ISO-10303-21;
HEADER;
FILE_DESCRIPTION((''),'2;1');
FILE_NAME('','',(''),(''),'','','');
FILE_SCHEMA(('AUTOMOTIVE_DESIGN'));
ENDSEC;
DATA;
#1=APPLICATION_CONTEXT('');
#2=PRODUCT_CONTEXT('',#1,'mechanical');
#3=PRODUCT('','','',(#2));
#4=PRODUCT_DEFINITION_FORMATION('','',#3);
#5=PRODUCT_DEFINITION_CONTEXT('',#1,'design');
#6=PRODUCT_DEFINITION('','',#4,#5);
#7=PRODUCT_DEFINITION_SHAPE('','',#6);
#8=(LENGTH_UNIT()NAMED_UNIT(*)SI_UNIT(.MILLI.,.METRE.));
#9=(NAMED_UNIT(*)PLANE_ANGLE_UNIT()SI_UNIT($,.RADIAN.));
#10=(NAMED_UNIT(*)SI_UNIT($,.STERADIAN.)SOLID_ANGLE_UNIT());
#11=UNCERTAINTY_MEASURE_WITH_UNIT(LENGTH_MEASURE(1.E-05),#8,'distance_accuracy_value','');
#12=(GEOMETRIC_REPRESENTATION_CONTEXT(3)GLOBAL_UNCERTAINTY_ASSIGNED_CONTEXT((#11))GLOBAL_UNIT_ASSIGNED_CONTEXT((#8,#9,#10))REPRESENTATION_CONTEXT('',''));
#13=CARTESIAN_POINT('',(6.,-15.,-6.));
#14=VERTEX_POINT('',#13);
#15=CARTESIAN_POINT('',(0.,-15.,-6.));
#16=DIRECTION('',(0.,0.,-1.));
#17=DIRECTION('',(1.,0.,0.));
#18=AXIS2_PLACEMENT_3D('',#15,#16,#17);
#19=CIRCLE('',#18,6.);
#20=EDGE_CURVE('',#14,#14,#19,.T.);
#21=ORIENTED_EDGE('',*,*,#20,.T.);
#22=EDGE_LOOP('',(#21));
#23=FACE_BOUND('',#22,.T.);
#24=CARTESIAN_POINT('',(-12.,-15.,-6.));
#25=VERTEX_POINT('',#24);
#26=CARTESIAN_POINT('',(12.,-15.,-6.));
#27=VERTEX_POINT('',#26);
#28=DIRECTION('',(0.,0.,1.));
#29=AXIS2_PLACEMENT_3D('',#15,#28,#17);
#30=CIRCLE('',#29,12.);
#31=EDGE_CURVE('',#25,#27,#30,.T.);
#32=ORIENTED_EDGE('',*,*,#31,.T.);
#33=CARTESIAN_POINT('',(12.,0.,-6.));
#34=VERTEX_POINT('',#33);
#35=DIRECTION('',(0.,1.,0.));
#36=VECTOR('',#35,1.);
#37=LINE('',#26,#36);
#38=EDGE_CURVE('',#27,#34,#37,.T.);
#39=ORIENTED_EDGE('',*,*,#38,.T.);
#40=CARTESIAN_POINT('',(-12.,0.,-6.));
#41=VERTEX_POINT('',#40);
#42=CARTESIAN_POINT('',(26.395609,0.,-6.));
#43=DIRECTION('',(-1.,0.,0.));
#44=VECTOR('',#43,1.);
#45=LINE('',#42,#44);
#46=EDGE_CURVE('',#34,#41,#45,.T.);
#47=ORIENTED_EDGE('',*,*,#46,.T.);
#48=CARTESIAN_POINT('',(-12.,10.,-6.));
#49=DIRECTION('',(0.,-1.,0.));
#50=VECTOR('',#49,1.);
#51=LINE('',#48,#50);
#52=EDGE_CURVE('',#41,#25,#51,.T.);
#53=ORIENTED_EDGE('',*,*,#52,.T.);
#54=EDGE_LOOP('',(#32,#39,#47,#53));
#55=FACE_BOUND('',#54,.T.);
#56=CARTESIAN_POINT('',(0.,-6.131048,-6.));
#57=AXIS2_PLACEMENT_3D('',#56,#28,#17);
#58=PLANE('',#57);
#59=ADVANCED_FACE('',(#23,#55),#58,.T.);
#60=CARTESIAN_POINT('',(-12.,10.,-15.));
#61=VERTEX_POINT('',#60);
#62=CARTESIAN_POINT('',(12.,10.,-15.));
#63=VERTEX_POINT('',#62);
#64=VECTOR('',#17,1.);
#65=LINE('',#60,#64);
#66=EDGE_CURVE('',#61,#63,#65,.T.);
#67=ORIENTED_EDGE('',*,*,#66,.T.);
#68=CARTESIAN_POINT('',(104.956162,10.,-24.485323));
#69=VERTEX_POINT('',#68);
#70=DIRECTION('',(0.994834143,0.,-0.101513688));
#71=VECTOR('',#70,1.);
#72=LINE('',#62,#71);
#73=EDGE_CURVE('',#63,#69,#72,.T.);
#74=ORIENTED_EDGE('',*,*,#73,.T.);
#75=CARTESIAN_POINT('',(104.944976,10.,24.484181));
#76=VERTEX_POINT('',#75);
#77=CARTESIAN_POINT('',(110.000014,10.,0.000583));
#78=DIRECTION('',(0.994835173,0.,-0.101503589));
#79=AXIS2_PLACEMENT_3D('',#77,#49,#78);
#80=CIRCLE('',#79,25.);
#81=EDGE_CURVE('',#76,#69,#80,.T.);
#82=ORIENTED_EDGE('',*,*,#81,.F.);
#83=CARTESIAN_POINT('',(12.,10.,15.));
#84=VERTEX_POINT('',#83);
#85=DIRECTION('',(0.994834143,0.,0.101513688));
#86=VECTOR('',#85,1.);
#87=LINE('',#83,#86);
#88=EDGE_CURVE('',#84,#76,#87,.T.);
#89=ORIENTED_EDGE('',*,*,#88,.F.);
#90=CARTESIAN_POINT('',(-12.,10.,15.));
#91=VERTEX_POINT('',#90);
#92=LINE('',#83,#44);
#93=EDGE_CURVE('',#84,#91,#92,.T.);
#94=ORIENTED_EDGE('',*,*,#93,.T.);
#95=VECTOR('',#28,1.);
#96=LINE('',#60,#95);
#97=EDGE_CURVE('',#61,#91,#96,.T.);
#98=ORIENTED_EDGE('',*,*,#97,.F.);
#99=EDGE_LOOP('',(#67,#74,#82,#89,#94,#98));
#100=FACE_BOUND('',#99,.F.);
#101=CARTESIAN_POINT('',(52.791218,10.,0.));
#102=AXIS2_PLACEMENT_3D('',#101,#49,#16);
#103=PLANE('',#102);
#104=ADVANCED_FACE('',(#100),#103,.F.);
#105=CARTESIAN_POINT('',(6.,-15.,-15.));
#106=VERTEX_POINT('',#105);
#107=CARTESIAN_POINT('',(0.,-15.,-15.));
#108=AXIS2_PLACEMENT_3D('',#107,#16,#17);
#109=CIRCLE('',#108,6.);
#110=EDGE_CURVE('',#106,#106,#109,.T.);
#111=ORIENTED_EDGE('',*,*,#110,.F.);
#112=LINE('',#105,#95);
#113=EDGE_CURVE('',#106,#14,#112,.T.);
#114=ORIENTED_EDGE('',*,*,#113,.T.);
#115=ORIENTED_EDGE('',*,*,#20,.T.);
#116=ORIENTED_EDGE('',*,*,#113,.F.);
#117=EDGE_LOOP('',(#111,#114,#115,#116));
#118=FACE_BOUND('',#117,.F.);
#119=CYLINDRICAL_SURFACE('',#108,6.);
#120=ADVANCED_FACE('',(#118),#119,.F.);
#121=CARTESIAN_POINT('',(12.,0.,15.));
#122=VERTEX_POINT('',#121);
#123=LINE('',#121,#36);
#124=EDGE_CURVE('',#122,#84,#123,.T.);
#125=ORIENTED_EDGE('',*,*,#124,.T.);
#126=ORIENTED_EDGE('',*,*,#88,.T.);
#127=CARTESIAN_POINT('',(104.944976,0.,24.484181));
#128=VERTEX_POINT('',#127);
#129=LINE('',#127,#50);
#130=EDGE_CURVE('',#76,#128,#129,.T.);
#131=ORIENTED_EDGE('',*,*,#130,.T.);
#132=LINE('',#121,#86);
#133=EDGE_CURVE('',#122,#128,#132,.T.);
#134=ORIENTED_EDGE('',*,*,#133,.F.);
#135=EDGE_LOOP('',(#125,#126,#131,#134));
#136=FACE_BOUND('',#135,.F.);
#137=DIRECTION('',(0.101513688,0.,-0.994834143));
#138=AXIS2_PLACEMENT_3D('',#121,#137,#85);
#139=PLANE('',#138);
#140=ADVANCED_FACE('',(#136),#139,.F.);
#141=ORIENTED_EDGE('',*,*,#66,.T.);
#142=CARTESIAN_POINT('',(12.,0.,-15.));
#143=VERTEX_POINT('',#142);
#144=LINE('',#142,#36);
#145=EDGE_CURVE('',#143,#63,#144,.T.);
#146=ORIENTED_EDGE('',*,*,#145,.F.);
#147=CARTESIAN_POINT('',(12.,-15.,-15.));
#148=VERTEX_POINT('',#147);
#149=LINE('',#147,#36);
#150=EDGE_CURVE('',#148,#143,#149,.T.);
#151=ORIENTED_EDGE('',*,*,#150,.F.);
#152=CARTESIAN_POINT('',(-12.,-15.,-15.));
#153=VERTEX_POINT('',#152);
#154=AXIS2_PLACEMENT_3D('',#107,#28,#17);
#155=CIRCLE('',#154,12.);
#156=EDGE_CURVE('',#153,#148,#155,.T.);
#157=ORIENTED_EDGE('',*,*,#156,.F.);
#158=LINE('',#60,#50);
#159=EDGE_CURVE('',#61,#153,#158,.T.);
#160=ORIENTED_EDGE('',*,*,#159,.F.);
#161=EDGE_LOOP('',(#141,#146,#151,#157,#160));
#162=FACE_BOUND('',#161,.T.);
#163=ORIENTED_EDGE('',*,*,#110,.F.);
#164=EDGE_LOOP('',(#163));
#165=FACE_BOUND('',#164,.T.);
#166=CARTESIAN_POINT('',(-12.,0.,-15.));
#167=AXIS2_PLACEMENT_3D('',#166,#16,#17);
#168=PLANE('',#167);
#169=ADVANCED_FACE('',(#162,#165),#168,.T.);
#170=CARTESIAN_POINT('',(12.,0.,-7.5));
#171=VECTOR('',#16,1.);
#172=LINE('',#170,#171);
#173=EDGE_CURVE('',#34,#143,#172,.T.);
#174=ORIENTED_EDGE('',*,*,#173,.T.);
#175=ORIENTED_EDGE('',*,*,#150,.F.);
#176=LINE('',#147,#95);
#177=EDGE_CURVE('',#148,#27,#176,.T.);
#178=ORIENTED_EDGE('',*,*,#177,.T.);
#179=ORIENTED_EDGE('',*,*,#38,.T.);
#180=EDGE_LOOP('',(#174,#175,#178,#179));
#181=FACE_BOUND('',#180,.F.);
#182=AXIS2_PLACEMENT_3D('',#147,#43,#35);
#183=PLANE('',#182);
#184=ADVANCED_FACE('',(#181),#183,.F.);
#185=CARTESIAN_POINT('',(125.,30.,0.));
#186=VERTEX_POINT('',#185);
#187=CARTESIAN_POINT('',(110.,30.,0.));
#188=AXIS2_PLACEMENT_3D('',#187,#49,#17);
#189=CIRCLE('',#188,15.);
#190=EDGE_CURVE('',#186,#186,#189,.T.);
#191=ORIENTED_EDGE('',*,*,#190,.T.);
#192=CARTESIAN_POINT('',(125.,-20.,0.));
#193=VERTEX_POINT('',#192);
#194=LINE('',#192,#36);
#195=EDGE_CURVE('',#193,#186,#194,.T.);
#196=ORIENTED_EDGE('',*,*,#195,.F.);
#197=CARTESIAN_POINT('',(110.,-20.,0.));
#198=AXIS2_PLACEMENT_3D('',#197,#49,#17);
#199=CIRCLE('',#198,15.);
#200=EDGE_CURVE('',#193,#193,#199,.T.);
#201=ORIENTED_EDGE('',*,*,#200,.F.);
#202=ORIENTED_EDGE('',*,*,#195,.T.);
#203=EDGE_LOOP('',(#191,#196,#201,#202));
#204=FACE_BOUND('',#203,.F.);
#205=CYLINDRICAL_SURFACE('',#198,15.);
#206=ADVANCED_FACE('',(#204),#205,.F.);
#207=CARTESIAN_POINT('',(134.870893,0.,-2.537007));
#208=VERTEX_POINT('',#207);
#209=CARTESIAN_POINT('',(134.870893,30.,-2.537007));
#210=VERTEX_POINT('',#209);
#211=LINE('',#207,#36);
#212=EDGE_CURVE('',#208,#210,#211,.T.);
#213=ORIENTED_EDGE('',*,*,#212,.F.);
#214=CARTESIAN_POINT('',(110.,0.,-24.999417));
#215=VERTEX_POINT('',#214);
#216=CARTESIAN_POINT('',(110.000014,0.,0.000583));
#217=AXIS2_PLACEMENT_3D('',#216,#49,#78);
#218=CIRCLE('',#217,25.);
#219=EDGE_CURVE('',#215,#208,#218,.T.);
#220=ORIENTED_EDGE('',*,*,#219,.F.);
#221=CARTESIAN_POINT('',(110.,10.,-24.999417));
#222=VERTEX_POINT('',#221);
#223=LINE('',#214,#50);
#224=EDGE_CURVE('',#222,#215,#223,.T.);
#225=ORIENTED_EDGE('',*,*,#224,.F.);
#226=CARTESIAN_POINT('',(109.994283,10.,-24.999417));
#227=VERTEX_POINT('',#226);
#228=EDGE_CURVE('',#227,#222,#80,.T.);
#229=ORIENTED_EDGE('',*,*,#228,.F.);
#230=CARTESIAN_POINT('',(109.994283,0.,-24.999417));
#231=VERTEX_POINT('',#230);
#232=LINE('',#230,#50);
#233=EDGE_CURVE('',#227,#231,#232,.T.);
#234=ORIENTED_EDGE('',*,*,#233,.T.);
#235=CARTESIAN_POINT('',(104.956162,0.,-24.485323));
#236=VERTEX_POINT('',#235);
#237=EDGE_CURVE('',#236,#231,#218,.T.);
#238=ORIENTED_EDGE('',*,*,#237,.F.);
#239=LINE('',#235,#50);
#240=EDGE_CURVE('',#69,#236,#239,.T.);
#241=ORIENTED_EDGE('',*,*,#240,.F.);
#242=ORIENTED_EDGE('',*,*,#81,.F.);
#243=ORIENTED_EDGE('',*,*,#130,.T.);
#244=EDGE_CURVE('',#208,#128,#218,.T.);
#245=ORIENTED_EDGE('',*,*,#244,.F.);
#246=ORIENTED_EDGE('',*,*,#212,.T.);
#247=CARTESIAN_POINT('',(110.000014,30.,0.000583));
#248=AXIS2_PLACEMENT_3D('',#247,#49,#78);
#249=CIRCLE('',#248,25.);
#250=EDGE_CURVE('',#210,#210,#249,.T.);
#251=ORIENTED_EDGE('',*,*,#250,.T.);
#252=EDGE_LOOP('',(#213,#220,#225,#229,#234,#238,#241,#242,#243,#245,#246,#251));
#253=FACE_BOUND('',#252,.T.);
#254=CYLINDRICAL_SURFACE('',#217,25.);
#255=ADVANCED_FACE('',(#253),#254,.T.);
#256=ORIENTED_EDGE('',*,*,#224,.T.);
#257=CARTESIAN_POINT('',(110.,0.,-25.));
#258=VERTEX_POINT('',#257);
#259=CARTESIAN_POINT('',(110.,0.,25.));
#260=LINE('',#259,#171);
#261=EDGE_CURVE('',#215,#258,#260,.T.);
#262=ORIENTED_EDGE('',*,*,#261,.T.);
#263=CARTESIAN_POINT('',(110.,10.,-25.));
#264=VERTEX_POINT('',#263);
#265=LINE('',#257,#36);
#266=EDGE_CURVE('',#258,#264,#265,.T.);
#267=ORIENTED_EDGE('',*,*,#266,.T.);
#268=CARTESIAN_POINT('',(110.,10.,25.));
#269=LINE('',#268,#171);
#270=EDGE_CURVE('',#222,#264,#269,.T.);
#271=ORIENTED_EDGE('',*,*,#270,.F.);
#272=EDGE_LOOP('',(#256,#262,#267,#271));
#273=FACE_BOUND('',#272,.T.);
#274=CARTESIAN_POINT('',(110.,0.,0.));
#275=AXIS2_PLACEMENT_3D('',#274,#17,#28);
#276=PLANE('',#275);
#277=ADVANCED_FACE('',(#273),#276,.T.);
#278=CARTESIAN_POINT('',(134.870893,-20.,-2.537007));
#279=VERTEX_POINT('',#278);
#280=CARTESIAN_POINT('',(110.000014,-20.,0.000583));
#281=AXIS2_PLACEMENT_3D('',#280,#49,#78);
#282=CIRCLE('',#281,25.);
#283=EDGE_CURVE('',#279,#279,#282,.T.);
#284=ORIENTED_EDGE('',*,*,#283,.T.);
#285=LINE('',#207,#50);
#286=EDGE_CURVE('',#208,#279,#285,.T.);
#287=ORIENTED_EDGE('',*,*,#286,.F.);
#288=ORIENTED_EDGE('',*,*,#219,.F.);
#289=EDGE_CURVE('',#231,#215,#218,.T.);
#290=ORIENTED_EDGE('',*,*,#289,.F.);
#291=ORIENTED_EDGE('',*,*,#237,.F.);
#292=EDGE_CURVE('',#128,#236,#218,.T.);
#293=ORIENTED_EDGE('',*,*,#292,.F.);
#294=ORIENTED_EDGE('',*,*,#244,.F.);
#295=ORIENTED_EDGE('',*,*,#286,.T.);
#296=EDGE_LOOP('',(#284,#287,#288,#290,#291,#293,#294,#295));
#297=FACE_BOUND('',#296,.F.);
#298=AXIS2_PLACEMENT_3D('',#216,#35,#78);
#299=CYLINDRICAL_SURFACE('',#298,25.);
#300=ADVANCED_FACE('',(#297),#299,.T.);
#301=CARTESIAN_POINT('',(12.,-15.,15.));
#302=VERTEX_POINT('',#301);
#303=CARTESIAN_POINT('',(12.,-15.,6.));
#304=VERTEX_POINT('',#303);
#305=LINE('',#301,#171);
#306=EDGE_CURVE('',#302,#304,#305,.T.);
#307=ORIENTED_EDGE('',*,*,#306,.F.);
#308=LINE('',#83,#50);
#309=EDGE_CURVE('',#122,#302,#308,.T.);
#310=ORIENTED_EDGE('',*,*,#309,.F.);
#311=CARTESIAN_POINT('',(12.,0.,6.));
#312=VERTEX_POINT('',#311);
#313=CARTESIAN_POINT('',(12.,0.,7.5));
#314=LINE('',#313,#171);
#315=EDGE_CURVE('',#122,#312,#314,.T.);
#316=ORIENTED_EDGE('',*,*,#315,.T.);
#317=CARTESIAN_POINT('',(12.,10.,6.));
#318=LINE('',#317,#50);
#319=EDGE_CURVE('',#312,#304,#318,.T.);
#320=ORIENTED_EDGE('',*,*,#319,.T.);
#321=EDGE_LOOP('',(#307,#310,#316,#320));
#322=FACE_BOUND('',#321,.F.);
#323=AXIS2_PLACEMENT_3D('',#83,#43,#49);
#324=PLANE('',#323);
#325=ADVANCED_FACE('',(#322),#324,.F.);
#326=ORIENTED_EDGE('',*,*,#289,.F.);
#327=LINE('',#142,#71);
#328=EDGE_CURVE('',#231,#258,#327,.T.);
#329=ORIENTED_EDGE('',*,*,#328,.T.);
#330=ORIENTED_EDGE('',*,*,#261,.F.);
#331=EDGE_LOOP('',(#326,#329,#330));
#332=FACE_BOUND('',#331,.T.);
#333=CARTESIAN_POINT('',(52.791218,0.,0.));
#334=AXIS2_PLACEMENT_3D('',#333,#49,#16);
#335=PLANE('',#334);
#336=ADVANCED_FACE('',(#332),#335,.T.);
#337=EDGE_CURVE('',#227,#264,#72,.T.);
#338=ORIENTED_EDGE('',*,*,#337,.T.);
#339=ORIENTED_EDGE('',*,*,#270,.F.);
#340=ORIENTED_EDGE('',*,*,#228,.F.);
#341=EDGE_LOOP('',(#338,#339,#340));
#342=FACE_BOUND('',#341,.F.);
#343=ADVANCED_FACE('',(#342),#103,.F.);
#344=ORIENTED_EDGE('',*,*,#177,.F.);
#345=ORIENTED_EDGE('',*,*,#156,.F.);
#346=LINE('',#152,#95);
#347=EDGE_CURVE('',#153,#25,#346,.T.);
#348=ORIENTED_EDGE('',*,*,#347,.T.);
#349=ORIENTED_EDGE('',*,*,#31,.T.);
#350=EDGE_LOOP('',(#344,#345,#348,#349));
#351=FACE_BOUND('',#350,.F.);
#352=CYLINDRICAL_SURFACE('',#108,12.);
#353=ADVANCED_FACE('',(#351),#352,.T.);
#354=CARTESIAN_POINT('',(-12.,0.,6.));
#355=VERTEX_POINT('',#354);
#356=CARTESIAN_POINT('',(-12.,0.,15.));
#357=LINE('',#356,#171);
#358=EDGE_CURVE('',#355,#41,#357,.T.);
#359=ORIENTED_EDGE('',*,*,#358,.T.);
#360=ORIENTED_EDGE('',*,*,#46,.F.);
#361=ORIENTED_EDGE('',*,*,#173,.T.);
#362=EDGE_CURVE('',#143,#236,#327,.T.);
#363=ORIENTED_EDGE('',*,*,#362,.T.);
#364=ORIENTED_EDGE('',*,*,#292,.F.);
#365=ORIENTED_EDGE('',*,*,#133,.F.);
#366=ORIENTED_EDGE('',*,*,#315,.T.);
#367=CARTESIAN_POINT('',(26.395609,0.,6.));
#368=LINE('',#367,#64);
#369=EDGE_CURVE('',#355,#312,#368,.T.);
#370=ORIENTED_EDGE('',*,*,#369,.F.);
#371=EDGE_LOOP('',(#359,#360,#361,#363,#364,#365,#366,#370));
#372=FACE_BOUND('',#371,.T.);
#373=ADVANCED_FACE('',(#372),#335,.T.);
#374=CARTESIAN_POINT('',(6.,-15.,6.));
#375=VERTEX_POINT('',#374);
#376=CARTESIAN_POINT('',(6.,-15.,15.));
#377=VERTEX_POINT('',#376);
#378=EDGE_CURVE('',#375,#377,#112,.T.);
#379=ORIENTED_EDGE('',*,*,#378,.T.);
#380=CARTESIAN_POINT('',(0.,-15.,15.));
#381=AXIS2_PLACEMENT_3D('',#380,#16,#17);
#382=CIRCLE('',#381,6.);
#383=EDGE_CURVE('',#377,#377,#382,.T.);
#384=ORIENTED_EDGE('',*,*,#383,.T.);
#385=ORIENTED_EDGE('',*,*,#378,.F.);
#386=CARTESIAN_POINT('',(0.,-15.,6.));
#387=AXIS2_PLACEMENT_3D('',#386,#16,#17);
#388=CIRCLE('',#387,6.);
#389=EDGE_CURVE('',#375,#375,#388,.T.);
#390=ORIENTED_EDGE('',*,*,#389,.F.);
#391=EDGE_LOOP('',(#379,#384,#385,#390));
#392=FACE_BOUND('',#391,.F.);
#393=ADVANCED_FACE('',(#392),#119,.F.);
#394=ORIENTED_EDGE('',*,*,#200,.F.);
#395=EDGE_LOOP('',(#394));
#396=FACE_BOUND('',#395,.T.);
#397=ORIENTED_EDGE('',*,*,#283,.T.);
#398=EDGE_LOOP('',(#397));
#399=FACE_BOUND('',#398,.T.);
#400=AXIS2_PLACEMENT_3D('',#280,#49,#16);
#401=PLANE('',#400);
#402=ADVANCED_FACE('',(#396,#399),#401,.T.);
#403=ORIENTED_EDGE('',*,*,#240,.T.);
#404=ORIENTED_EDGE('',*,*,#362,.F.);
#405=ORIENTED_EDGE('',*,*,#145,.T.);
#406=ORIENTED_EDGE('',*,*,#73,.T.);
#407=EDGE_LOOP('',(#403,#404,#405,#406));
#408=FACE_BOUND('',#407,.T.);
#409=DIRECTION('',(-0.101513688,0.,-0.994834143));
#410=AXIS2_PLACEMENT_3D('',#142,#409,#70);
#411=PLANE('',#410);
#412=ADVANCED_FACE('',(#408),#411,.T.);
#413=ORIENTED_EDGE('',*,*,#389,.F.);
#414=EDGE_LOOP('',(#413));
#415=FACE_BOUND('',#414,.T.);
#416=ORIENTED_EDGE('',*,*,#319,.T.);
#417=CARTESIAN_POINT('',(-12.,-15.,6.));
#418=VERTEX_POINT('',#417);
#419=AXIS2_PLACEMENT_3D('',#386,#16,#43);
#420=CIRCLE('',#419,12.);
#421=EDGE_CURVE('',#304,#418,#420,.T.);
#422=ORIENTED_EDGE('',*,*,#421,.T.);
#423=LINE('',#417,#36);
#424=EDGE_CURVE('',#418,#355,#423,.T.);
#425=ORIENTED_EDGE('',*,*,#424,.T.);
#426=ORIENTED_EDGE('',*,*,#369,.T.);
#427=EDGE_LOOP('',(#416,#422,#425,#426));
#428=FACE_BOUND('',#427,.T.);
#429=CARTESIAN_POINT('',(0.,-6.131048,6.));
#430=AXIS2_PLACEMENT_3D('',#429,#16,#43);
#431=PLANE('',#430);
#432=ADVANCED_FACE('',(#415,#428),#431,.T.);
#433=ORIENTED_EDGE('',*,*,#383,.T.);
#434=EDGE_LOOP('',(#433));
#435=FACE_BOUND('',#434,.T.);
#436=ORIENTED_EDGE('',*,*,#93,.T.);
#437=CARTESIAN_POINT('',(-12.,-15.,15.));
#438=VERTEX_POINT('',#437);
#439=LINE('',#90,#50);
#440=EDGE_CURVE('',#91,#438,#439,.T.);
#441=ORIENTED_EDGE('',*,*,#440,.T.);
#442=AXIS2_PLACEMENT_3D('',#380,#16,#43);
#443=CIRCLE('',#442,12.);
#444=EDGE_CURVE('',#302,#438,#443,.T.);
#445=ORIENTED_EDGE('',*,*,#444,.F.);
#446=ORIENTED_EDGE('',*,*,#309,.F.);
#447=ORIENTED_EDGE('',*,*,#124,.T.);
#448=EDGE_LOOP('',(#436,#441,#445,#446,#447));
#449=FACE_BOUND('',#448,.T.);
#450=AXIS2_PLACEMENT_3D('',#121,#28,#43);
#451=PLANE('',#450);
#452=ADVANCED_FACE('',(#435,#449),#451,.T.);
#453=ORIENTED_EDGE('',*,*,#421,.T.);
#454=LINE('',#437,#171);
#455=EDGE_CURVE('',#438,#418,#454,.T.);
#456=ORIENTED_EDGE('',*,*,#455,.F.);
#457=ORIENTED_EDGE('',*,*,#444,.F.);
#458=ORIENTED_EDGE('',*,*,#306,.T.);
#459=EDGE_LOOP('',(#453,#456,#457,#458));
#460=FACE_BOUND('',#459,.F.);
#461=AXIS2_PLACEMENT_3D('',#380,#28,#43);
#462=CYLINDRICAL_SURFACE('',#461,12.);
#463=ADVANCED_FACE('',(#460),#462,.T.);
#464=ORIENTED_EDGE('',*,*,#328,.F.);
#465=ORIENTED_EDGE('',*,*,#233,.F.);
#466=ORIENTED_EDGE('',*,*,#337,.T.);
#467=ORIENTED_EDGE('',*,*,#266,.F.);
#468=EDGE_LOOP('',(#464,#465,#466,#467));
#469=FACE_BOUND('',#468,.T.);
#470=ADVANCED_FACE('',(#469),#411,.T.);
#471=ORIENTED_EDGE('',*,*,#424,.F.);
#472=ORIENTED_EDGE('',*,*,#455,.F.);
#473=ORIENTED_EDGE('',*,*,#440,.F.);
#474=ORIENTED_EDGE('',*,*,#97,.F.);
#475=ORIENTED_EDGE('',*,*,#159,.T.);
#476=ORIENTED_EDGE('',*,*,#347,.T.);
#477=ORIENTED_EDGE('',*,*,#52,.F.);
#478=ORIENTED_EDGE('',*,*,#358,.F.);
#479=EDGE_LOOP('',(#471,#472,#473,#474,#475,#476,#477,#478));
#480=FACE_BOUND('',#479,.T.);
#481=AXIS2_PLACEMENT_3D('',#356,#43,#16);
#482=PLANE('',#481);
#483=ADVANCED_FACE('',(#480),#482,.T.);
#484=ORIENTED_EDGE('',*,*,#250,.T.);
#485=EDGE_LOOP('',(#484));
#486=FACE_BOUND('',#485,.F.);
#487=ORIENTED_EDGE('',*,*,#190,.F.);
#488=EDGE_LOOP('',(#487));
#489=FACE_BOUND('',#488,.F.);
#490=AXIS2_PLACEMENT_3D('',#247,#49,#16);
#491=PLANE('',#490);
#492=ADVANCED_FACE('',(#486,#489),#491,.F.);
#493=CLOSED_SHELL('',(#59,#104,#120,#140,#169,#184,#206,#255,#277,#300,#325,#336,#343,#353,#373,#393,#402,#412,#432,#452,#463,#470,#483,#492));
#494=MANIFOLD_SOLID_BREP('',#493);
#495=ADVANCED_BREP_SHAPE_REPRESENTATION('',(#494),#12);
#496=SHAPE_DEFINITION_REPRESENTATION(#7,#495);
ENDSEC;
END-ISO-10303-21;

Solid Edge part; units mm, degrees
sketch "Sketch1" plane through (0, 0, 0) normal (0, -1, 0) x (1, 0, 0)
  line L0 (12, 15) -> (-12, 15)
  line L1 (-12, 15) -> (-12, -15)
  line L2 (-12, -15) -> (12, -15)
  line L3 (12, -15) -> (110, -25)
  line L4 (110, 0) -> (110, -25)
  line L5 (110, 0) -> (110, 25)
  line L6 (12, 15) -> (110, 25)
extrude "Protrusion1" add sketch "Sketch1" against normal blind 10
sketch "Sketch2" plane through (0, 5, 15) normal (0, 0, 1) x (-1, 0, 0)
  line L0 (12, 20) -> (12, -5)
  line L1 (12, -5) -> (-12, -5)
  line L2 (-12, -5) -> (-12, 20)
  arc A0 (-12, 20) -> (12, 20) centre (0, 20) cw
extrude "ExtrudedProtrusion_6" add sketch "Sketch2" against normal blind 9
sketch "Sketch3" plane through (0, 5, -15) normal (0, 0, -1) x (1, 0, 0)
  line L0 (12, 20) -> (12, -5)
  line L1 (12, -5) -> (-12, -5)
  line L2 (-12, -5) -> (-12, 20)
  arc A0 (-12, 20) -> (12, 20) centre (0, 20) cw
extrude "ExtrudedProtrusion_7" add sketch "Sketch3" against normal blind 9
sketch "Sketch4" plane through (0, -8.5, -15) normal (0, 0, -1) x (1, 0, 0)
  circle A0 centre (0, 6.5) radius 6
extrude "Cutout1" cut sketch "Sketch4" against normal through all
sketch "Sketch5" plane through (49, 0, 0) normal (0, -1, 0) x (0.9948, 0, -0.1015)
  circle A0 centre (60.6849, 6.1923) radius 25
extrude "ExtrudedProtrusion_11" add sketch "Sketch5" along normal blind 20 and the other way blind 30
sketch "Sketch6" plane through (110, -20, 0) normal (0, -1, 0) x (1, 0, 0)
  circle A0 centre (0, 0) radius 15
extrude "Cutout2" cut sketch "Sketch6" against normal through all
